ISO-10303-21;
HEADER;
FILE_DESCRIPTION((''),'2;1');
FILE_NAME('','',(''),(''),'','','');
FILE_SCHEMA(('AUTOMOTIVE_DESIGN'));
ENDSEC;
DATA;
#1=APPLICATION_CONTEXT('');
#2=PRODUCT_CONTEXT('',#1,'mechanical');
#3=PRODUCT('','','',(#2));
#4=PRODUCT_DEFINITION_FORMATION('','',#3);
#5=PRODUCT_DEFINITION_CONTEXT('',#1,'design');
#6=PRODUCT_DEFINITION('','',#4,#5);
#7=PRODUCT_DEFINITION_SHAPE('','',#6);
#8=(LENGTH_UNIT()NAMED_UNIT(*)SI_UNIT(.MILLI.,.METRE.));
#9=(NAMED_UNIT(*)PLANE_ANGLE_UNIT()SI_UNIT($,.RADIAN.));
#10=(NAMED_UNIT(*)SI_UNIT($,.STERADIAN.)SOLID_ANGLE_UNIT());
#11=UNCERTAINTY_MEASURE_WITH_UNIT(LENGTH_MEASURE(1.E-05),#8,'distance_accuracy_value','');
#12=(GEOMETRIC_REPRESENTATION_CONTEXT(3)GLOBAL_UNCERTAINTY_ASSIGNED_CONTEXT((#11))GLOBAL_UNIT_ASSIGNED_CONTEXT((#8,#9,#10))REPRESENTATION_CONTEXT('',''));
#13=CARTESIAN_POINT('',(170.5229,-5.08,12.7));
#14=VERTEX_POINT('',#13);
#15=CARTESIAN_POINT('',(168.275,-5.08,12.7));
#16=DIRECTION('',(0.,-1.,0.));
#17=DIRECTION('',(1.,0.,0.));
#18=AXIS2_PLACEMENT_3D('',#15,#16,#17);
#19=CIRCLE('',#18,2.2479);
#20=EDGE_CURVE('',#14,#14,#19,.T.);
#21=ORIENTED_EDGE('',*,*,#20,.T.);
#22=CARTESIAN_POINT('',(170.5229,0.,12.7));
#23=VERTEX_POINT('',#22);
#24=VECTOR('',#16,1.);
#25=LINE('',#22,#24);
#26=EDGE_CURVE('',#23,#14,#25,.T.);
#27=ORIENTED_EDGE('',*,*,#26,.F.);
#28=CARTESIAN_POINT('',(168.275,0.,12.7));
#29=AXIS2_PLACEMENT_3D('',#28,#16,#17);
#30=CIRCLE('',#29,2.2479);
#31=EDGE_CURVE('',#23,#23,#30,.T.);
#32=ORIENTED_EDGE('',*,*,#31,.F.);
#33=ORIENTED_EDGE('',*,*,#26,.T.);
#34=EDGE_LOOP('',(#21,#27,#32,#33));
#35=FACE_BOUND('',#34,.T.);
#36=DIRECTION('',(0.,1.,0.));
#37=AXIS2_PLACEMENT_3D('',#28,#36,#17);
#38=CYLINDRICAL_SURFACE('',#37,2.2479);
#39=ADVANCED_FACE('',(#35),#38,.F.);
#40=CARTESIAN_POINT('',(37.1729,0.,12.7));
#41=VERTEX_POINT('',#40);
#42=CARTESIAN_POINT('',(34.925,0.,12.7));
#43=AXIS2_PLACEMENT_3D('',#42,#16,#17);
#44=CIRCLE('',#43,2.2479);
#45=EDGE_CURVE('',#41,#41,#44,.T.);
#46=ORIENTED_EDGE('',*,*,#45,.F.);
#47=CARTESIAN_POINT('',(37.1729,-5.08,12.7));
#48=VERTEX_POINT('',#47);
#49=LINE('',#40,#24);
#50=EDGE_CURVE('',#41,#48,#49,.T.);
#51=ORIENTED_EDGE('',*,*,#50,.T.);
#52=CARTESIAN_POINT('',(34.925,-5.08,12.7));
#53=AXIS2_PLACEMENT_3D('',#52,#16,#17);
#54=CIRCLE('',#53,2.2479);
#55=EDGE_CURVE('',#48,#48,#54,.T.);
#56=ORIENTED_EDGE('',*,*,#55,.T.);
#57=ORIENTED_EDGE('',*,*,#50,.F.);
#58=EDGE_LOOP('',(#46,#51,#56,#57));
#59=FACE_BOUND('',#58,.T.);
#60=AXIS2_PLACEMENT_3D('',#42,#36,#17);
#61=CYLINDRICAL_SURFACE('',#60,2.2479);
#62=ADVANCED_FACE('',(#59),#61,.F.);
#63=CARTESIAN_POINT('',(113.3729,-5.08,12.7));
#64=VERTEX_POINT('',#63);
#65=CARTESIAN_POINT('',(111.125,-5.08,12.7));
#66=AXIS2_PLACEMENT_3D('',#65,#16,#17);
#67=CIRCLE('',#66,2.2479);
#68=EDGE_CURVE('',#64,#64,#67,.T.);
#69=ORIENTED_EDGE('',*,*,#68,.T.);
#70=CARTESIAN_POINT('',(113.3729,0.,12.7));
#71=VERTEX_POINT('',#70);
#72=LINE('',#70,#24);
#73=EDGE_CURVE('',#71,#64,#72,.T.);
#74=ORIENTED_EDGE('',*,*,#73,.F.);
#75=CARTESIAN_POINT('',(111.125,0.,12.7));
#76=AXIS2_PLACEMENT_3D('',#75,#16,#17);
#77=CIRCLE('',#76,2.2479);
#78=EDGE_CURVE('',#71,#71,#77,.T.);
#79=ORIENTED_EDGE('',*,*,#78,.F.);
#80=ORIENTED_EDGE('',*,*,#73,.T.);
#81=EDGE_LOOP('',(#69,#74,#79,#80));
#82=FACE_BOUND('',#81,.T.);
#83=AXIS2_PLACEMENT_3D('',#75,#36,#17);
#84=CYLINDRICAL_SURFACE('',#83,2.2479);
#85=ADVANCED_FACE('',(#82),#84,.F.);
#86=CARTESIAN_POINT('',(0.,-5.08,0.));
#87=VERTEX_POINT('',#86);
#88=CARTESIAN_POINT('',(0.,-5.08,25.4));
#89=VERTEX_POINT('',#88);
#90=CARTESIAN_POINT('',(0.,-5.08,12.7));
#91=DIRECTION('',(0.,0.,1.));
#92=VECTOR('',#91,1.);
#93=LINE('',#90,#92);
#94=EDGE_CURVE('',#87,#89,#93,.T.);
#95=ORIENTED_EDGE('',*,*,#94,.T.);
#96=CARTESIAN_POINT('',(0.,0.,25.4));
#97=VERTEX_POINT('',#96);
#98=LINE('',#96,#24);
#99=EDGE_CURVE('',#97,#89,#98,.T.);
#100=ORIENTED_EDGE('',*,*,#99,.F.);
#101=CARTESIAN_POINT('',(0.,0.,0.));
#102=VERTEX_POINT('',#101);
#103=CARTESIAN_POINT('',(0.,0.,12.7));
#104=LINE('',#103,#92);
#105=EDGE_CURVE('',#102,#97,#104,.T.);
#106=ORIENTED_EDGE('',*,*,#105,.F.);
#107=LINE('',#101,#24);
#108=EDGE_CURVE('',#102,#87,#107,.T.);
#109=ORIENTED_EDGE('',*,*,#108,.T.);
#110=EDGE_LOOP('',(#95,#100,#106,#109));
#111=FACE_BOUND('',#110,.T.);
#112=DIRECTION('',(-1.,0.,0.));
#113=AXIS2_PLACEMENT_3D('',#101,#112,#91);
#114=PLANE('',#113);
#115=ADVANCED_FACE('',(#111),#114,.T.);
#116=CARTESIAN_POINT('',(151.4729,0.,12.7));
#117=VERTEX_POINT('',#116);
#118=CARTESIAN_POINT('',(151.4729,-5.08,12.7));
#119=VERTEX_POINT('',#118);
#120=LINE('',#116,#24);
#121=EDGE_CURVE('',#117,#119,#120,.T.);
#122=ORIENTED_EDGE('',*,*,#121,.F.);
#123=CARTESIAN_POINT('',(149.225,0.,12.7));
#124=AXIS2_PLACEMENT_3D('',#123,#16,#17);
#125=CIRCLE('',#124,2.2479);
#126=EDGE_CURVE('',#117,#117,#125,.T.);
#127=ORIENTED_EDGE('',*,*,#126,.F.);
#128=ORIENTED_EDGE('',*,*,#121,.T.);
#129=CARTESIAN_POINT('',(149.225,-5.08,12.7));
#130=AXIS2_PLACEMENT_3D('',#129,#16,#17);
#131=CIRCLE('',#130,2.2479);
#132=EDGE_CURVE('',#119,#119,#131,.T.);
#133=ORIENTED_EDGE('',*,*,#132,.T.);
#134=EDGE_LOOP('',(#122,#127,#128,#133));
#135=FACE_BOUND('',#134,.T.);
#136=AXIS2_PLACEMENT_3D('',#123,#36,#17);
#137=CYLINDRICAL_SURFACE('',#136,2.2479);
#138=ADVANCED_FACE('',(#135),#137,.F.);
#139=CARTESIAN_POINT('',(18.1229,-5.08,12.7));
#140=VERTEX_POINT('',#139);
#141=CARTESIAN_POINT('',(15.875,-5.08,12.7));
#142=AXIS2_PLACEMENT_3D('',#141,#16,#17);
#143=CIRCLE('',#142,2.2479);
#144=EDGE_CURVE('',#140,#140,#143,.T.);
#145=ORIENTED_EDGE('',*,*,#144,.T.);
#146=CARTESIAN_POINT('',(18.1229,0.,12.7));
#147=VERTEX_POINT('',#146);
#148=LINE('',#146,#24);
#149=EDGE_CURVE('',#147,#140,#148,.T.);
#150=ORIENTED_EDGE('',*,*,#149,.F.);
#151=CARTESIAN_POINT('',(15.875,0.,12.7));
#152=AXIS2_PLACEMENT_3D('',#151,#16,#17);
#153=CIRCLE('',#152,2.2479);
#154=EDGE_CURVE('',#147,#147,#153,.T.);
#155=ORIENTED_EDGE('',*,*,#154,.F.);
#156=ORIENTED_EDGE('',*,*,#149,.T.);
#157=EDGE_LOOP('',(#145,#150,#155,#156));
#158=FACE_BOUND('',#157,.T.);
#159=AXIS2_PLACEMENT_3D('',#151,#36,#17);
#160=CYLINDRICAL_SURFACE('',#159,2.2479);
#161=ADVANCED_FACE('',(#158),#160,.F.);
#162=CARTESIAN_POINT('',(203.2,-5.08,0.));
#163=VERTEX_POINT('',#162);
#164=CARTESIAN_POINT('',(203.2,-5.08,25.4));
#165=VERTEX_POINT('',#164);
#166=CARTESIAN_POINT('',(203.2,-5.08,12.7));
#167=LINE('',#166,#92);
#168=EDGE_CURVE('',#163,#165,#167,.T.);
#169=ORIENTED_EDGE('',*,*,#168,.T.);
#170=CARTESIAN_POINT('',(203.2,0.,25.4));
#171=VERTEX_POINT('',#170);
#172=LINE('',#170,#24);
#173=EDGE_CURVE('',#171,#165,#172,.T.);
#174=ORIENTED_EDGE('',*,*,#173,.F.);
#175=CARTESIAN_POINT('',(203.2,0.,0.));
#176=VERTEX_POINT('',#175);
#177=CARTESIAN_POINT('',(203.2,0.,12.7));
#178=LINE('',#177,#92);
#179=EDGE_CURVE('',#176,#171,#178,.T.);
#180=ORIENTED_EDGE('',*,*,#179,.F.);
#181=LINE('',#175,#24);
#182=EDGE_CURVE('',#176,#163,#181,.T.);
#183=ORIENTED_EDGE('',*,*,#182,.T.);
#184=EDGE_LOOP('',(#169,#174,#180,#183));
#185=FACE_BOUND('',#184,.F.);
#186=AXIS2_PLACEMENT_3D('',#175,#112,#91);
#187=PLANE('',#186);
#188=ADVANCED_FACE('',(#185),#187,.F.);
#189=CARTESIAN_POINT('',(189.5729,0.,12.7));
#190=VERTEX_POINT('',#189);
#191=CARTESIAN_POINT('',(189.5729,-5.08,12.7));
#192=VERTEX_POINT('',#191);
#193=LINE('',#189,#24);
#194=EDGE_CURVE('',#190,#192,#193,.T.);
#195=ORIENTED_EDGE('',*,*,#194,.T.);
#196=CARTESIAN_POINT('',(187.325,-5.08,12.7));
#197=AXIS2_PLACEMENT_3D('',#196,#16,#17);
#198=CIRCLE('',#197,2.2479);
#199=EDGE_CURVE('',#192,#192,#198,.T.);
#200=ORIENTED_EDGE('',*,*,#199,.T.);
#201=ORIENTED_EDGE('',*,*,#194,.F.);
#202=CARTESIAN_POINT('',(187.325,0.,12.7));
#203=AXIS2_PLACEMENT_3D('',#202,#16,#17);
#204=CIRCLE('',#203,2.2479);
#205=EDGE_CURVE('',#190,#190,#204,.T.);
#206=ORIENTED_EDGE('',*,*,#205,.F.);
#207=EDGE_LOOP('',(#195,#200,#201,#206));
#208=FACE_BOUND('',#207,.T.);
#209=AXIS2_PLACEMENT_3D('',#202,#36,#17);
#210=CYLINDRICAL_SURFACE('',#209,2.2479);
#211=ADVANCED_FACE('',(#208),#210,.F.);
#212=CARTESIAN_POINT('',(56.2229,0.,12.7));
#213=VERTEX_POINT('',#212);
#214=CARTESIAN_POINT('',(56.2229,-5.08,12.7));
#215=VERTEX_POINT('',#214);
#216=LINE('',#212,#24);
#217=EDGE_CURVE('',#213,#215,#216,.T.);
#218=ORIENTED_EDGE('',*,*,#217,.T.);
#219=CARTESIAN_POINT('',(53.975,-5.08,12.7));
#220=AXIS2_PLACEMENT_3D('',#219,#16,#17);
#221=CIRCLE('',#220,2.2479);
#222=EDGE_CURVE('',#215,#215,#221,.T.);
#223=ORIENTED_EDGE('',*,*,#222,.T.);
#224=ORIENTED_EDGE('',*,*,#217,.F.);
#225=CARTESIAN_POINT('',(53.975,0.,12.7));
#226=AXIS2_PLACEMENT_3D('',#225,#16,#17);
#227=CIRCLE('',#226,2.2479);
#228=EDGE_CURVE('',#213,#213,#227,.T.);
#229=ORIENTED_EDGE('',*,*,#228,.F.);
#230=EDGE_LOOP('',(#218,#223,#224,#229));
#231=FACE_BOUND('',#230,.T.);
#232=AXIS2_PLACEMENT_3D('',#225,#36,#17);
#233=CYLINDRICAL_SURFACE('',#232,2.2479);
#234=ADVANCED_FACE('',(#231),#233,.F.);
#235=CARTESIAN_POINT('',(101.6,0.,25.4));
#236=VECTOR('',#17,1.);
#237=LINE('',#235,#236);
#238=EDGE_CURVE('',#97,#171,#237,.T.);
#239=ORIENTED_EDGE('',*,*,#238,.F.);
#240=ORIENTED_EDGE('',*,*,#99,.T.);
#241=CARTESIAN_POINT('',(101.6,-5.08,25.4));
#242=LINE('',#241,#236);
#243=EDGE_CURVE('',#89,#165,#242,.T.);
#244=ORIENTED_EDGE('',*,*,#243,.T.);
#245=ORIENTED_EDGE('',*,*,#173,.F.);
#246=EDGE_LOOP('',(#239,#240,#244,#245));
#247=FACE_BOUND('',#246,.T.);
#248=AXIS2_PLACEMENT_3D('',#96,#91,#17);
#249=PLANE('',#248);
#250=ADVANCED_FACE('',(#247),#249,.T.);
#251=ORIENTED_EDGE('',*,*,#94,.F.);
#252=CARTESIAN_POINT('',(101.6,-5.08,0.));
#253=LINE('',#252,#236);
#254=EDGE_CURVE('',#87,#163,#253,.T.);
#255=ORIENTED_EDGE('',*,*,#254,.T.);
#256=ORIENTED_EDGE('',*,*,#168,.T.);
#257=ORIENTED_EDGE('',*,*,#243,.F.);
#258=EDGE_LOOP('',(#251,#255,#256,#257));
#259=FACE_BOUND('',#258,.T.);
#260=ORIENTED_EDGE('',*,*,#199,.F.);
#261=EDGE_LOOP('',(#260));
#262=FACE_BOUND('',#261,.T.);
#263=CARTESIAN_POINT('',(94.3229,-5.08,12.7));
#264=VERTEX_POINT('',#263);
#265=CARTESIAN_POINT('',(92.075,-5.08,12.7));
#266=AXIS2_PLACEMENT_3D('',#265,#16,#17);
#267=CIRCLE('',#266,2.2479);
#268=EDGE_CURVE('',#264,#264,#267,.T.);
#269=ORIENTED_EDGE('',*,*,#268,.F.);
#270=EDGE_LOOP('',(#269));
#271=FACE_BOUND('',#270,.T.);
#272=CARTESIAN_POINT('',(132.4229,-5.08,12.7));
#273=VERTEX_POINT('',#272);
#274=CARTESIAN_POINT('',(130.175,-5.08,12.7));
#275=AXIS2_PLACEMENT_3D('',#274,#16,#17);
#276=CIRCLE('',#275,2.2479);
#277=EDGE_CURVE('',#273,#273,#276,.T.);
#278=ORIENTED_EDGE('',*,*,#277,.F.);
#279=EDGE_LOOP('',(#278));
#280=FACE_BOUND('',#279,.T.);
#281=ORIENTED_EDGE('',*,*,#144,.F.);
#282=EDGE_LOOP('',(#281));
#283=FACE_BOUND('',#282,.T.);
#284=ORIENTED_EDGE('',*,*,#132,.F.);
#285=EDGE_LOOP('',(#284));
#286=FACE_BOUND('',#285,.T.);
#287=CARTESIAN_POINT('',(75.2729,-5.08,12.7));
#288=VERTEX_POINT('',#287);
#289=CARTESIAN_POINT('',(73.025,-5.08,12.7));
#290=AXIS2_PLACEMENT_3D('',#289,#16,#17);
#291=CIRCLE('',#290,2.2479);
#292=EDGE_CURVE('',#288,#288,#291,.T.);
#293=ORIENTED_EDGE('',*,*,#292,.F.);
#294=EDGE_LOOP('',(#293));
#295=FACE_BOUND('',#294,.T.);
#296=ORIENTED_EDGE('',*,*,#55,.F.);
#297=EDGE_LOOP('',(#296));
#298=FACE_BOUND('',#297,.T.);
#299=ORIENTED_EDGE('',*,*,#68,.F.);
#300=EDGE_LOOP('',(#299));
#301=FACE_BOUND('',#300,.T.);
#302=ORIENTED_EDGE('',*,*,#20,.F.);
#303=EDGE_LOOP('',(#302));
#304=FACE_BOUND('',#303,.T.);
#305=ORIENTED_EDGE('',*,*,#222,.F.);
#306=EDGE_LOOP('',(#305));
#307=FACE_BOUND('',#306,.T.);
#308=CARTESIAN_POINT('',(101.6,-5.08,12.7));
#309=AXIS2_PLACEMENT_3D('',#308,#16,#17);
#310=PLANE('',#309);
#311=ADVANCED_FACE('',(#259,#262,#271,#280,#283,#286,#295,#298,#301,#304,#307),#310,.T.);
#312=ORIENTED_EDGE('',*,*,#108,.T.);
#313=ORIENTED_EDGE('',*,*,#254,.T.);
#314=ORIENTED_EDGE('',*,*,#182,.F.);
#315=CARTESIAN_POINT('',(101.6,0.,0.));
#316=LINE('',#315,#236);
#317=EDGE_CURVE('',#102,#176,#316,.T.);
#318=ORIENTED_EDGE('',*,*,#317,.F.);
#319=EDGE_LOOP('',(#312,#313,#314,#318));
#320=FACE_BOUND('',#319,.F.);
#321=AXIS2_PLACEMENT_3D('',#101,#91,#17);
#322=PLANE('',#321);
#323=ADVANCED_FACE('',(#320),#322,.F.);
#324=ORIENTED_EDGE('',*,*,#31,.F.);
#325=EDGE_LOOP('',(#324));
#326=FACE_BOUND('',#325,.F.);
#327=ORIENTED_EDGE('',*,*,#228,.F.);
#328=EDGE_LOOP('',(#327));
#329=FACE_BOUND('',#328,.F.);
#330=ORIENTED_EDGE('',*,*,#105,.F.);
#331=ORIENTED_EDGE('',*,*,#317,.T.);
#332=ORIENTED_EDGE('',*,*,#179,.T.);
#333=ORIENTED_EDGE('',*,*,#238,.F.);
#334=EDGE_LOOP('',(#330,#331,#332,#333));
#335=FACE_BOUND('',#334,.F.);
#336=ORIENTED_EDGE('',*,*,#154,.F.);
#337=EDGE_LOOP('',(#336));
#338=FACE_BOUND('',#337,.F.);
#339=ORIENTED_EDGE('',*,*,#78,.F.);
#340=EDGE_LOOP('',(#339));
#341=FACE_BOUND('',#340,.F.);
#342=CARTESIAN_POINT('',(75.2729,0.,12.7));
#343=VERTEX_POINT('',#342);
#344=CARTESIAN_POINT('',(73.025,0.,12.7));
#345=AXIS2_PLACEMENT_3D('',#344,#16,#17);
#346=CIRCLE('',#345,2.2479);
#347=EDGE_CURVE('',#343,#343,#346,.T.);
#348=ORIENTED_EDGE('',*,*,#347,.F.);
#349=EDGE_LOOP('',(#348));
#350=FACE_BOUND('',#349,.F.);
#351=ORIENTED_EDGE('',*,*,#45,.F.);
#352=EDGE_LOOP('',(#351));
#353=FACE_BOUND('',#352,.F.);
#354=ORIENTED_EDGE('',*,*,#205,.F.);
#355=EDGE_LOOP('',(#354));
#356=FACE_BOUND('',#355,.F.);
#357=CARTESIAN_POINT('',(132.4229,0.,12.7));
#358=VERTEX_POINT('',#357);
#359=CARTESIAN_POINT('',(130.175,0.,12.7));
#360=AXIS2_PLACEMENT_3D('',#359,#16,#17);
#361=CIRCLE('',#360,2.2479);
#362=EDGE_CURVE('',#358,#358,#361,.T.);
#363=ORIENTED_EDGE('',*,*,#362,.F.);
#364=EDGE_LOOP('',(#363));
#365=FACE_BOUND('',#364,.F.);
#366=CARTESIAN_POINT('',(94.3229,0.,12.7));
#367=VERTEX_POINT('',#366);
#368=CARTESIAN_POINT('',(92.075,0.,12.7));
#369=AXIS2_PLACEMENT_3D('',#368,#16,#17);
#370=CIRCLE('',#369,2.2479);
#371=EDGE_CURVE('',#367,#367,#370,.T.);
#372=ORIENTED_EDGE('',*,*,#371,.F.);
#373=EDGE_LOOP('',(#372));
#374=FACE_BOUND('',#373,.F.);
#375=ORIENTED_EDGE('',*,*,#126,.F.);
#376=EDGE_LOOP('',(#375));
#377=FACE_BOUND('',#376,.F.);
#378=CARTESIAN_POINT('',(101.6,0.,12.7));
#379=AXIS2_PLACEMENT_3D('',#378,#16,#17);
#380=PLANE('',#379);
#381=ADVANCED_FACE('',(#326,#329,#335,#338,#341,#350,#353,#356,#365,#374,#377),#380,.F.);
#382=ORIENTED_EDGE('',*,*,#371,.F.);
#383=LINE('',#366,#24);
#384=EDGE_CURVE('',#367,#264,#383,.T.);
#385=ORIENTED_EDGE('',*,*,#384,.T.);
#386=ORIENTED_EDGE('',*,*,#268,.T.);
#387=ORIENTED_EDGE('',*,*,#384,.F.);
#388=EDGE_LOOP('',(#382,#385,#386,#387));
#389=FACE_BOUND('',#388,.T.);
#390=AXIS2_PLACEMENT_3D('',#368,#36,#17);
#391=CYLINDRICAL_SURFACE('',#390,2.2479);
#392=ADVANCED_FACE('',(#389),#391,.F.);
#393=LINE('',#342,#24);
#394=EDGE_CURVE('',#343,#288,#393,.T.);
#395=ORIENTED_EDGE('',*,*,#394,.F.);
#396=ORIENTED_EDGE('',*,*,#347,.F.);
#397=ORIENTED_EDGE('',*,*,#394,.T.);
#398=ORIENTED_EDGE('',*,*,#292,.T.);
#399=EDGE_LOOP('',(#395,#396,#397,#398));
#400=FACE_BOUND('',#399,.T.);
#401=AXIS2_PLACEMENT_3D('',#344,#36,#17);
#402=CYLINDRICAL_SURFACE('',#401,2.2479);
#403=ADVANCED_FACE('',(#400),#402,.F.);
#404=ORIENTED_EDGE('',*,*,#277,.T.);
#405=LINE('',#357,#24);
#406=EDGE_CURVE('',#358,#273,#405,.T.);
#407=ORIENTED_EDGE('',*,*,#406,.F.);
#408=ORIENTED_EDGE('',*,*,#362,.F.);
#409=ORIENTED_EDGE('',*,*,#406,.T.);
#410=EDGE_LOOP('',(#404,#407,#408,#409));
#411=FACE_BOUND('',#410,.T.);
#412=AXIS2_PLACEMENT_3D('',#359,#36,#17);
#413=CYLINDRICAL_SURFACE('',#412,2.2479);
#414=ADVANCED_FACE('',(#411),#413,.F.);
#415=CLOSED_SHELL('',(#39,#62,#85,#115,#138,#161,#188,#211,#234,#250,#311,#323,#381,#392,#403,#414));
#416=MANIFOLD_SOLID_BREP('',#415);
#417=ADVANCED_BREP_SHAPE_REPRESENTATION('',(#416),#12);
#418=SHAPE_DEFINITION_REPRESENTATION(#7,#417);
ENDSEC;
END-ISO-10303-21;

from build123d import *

# Parameters (mm, degrees)
F0_W     = 203.2
F0_H     = 25.4
F0_R     = 2.2479
F1_DEPTH = 5.08


with BuildPart() as f1:
    # F0 (on Front) → F1 (new body)
    with BuildSketch(Plane.XZ):
        with Locations((101.6, 12.7)):
            Rectangle(F0_W, F0_H)
        with Locations((15.875, 12.7)):
            Circle(F0_R, mode=Mode.SUBTRACT)
        with Locations((34.925, 12.7)):
            Circle(F0_R, mode=Mode.SUBTRACT)
        with Locations((53.975, 12.7)):
            Circle(F0_R, mode=Mode.SUBTRACT)
        with Locations((73.025, 12.7)):
            Circle(F0_R, mode=Mode.SUBTRACT)
        with Locations((92.075, 12.7)):
            Circle(F0_R, mode=Mode.SUBTRACT)
        with Locations((111.125, 12.7)):
            Circle(F0_R, mode=Mode.SUBTRACT)
        with Locations((130.175, 12.7)):
            Circle(F0_R, mode=Mode.SUBTRACT)
        with Locations((149.225, 12.7)):
            Circle(F0_R, mode=Mode.SUBTRACT)
        with Locations((168.275, 12.7)):
            Circle(F0_R, mode=Mode.SUBTRACT)
        with Locations((187.325, 12.7)):
            Circle(F0_R, mode=Mode.SUBTRACT)
    extrude(amount=F1_DEPTH)


solid = f1.part
